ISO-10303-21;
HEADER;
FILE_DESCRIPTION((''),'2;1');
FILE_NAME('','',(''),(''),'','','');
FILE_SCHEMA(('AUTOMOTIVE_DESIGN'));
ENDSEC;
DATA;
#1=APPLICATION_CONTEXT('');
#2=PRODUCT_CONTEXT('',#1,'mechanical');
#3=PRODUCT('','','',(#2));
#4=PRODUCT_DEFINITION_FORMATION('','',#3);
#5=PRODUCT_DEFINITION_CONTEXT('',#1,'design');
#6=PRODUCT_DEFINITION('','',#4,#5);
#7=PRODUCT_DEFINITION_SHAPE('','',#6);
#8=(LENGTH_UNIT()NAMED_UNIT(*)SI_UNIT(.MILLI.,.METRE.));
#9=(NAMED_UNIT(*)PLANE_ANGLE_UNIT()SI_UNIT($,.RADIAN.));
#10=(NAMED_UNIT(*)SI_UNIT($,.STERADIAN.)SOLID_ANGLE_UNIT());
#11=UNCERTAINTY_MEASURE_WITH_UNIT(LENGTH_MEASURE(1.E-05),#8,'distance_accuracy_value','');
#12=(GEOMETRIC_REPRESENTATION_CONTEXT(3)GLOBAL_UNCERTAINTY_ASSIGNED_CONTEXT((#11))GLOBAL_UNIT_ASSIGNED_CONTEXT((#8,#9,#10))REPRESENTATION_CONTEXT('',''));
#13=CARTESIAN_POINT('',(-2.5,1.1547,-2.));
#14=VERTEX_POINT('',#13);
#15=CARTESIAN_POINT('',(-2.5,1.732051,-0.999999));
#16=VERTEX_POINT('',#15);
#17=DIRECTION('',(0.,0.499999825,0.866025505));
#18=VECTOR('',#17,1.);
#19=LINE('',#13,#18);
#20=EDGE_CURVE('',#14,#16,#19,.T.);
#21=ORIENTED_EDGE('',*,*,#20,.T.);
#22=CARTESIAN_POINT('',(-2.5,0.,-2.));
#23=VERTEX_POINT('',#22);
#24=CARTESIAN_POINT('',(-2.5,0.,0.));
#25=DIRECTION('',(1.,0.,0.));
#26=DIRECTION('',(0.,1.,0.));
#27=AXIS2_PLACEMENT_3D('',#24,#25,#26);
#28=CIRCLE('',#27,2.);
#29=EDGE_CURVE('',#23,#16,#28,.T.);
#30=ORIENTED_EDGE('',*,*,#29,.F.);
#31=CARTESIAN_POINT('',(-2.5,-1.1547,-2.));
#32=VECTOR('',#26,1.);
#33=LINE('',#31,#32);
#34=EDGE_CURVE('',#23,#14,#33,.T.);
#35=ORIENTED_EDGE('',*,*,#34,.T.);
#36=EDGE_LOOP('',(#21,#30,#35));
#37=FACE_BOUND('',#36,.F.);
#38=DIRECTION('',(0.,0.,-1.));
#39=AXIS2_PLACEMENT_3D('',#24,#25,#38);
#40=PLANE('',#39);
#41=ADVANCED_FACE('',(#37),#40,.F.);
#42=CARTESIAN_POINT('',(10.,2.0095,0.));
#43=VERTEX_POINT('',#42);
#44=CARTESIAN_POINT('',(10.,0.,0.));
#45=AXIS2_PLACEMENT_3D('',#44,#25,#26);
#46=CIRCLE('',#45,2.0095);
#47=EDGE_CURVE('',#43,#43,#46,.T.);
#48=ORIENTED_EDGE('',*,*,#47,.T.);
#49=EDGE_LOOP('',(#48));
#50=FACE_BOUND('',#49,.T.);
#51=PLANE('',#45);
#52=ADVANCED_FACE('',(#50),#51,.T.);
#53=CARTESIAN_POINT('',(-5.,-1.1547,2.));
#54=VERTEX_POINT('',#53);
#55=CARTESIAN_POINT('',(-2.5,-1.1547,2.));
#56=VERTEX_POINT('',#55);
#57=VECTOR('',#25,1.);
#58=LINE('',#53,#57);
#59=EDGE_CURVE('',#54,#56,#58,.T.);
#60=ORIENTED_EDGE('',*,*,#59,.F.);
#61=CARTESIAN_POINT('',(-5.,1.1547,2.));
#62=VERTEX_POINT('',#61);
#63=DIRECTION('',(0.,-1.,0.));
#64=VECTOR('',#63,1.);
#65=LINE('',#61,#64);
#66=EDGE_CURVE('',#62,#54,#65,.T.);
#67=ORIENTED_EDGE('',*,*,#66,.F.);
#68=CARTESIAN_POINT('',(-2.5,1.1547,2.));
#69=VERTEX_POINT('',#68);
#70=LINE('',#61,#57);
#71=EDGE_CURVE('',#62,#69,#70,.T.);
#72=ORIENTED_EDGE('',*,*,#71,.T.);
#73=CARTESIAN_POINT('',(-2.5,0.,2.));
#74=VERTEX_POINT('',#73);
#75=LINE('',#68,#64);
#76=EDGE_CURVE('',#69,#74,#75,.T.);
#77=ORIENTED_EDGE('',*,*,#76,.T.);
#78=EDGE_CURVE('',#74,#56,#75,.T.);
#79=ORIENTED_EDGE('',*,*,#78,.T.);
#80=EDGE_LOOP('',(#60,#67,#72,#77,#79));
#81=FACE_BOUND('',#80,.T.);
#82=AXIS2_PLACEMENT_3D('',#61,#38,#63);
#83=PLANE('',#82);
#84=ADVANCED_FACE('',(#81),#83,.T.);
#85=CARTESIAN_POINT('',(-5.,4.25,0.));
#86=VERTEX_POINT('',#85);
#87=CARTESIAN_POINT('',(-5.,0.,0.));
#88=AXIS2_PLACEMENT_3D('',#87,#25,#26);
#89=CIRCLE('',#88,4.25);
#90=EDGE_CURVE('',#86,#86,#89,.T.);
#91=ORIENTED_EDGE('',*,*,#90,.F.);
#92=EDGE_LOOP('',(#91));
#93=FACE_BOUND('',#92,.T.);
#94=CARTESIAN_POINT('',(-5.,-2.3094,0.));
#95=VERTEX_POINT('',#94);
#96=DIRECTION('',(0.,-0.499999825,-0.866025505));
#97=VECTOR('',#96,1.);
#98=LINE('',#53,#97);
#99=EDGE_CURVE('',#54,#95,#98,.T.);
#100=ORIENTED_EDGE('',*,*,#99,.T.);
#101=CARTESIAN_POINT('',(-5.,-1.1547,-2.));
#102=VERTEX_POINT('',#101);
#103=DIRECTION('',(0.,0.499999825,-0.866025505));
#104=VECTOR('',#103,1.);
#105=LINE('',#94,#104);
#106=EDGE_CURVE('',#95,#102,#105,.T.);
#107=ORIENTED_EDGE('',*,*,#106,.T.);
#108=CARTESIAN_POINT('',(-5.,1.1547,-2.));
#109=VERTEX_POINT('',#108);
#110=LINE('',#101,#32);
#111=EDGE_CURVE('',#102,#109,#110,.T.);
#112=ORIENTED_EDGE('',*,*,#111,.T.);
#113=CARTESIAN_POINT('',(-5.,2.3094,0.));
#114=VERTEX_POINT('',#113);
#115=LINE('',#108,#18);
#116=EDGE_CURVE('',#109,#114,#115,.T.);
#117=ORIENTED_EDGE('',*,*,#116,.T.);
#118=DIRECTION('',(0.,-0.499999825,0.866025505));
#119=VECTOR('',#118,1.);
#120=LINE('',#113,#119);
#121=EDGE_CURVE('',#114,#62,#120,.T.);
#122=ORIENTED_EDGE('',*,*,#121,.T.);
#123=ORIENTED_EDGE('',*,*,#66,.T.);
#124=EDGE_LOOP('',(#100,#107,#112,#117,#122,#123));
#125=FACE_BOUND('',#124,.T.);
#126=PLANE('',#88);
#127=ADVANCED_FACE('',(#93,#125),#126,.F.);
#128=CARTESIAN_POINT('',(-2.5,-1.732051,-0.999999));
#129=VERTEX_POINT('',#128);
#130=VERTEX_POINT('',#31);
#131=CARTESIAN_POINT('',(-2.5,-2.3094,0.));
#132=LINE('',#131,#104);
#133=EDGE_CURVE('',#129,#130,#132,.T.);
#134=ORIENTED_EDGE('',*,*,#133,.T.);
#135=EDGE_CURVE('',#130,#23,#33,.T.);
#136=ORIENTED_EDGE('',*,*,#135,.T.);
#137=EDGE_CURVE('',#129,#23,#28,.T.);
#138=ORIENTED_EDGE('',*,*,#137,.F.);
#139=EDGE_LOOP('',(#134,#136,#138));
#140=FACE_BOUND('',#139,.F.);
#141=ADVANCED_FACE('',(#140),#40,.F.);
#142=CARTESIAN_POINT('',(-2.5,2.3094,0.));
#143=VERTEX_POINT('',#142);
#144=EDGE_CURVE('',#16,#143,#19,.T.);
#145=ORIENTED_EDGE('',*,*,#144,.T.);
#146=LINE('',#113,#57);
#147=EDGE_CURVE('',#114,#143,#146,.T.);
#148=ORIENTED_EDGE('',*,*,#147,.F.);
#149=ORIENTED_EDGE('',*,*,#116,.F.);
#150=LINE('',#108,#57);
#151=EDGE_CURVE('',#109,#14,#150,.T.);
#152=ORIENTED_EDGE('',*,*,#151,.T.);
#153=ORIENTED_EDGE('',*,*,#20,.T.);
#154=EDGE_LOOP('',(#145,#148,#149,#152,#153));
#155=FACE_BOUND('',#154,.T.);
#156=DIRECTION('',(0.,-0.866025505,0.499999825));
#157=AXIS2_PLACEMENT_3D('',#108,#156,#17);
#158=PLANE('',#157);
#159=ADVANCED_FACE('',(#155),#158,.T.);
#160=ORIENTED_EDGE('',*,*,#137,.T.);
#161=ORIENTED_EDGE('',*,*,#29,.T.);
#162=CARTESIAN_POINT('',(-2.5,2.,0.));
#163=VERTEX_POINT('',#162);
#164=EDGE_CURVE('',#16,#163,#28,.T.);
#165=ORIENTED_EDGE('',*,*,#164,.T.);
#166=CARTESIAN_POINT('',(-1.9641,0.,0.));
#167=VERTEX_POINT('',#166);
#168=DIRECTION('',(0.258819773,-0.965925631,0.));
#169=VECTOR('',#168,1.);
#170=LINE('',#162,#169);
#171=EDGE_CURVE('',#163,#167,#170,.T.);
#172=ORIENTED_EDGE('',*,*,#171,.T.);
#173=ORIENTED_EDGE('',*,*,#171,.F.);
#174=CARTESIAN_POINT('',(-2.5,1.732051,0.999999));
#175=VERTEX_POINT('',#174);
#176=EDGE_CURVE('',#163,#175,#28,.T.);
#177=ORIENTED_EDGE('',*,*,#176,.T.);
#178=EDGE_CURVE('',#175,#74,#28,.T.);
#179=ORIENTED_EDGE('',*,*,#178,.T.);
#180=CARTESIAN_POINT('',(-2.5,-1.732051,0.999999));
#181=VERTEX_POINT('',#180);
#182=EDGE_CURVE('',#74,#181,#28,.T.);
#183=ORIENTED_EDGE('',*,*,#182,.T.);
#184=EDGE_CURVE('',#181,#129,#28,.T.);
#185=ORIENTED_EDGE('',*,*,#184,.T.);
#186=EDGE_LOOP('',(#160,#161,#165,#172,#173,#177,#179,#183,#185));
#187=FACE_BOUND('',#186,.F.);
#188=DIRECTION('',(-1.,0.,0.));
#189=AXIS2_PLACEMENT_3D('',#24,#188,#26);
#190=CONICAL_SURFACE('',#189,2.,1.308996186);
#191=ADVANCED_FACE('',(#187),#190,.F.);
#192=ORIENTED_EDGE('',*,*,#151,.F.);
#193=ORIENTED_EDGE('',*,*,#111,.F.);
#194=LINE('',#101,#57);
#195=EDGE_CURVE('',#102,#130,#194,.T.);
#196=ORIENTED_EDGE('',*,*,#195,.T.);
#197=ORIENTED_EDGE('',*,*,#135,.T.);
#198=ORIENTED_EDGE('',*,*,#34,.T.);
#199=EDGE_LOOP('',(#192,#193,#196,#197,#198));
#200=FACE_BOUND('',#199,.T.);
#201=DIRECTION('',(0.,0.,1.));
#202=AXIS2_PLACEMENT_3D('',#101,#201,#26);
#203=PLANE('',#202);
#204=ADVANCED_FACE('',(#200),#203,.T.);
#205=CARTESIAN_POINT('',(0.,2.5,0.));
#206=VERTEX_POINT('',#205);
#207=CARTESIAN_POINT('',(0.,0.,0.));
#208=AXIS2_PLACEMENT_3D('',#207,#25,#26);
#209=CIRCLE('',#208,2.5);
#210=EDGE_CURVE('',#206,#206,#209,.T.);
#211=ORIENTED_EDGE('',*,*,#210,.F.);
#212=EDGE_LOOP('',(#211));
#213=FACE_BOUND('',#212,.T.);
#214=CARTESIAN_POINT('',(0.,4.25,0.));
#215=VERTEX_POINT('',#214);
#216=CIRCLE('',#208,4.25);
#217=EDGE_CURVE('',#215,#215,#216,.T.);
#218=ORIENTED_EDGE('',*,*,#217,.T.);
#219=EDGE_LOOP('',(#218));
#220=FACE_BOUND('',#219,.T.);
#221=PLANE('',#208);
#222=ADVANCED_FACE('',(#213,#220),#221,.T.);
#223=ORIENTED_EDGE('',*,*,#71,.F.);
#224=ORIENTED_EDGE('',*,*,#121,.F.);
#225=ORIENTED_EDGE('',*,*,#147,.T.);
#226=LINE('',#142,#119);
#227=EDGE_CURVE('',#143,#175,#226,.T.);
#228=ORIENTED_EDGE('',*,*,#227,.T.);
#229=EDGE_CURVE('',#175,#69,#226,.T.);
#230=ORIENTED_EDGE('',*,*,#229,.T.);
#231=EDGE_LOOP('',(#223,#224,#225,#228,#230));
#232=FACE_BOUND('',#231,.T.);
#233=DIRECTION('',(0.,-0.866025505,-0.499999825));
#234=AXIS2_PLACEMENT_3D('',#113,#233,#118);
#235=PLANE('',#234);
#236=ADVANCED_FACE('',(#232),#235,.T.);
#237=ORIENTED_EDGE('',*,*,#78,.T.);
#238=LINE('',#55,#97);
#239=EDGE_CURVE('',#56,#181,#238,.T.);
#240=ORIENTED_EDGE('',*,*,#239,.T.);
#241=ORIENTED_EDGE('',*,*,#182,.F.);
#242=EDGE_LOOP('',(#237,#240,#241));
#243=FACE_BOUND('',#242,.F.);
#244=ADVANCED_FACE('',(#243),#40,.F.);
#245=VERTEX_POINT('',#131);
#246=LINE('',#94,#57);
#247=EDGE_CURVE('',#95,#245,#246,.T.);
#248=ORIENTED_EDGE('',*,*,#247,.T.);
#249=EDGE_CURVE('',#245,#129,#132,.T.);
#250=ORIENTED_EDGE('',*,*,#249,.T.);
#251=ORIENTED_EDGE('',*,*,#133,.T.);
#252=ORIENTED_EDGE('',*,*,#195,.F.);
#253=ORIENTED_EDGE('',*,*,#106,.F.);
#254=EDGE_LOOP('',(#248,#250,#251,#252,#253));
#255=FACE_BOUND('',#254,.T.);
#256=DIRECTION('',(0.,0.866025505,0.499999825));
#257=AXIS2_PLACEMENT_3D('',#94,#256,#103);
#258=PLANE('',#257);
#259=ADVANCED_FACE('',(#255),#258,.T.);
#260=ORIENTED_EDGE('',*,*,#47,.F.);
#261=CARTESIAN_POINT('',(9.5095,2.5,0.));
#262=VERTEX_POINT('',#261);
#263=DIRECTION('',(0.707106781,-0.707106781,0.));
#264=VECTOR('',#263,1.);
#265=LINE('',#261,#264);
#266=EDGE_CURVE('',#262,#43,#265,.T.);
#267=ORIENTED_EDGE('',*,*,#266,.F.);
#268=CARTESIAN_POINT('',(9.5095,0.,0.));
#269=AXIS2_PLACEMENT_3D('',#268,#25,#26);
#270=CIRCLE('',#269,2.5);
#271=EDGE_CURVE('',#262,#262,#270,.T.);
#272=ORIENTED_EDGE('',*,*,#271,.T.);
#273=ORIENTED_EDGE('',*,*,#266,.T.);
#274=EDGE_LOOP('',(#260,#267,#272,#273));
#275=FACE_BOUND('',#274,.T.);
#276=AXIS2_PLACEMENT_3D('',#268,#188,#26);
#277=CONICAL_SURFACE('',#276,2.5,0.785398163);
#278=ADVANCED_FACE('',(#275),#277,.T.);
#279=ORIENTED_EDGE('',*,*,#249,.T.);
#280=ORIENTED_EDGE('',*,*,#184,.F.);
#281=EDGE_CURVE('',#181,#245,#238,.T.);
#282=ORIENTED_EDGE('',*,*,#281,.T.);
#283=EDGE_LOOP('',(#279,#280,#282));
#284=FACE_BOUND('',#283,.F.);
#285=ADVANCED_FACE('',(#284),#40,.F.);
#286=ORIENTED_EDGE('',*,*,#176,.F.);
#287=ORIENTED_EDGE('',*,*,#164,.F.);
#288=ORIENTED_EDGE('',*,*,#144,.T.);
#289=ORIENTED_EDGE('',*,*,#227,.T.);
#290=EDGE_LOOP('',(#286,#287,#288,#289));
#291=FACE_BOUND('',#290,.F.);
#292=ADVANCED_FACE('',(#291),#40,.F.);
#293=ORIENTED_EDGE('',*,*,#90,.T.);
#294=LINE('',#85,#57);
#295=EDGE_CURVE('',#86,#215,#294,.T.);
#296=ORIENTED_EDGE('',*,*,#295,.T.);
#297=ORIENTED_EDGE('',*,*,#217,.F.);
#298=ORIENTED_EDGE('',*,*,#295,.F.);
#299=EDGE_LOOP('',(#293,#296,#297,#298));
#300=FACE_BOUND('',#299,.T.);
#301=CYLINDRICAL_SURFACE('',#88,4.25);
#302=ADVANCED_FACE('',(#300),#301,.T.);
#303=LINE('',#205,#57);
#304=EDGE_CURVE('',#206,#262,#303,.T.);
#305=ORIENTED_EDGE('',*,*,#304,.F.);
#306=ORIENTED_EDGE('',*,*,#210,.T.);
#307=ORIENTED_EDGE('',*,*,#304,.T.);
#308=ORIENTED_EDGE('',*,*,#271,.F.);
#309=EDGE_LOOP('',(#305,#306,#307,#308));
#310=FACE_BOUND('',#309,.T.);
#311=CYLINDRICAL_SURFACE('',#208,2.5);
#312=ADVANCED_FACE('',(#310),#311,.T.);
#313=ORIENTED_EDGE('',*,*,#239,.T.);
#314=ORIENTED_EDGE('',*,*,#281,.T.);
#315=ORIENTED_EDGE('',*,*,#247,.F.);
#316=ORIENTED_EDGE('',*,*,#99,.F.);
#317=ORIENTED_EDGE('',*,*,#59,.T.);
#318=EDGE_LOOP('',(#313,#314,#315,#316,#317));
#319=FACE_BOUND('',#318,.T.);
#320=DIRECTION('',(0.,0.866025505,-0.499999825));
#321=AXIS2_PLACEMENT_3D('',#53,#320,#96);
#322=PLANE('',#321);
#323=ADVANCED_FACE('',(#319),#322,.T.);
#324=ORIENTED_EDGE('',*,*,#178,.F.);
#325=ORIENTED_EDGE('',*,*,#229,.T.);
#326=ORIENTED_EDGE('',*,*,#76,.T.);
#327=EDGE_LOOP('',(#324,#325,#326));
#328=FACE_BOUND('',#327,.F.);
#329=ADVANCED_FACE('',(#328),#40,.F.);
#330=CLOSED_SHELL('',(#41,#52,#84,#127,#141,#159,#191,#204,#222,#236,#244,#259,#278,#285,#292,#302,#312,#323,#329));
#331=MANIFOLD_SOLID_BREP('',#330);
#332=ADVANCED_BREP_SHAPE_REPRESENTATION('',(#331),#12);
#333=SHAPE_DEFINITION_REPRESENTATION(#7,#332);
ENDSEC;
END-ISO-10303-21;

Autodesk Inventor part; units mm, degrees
sketch "Sketch_1" plane through (0, 0, 0) normal (0, 0, 1) x (1, 0, 0)
  line L0 (10, 0) -> (-5, 0)
  line L1 (-5, 0) -> (-5, 4.25)
  line L2 (-5, 4.25) -> (0, 4.25)
  line L3 (0, 4.25) -> (0, 2.5)
  line L4 (0, 2.5) -> (9.5095, 2.5)
  line L5 (9.5095, 2.5) -> (10, 2.0095)
  line L6 (10, 2.0095) -> (10, 0)
  line L7 (10, 0) -> (-5, 0)
revolve "Revolution1" add sketch "Sketch_1" angle 360 about axis through (10, 0, 0) along (1, 0, 0)
thread "Thread1" size "M5x0.8" class "6g" standard "ISO Metric profile" length 9.5 offset 0.5
sketch "Sketch_4" plane through (0, 0, 0) normal (0, 0, 1) x (1, 0, 0)
  line L0 (-1.9641, 0) -> (-5, 0)
  line L1 (-5, 0) -> (-5, 2)
  line L2 (-5, 2) -> (-2.5, 2)
  line L3 (-2.5, 2) -> (-1.9641, 0)
  line L4 (-1.9641, 0) -> (-5, 0)
revolve "Revolution2" cut sketch "Sketch_4" angle 360 about axis through (-1.9641, 0, 0) along (1, 0, 0)
sketch "Sketch_3" plane through (-5, 0, 0) normal (1, 0, 0) x (0, 0, -1)
  line L0 (-2, 1.1547) -> (-2, -1.1547)
  line L1 (-2, -1.1547) -> (0, -2.3094)
  line L2 (0, -2.3094) -> (2, -1.1547)
  line L3 (2, -1.1547) -> (2, 1.1547)
  line L4 (2, 1.1547) -> (0, 2.3094)
  line L5 (0, 2.3094) -> (-2, 1.1547)
extrude "Extrusion1" cut sketch "Sketch_3" along normal blind 2.5
ref_plane "bolt_XY" through (0, 0, 0) normal (1, 0, 0) x (0, 0, -1)
ref_plane "bolt_YZ" through (0, 0, 0) normal (0, 0, -1) x (0, 1, 0)
ref_plane "bolt_ZX" through (0, 0, 0) normal (0, 1, 0) x (1, 0, 0)
ref_plane "nut_XY" through (10, 0, 0) normal (1, 0, 0) x (0, 0, -1)
ref_plane "nut_YZ" through (10, 0, 0) normal (0, 0, -1) x (0, 1, 0)
ref_plane "nut_ZX" through (10, 0, 0) normal (0, 1, 0) x (1, 0, 0)
properties part number "CBM5-10" material "MISUMI"
